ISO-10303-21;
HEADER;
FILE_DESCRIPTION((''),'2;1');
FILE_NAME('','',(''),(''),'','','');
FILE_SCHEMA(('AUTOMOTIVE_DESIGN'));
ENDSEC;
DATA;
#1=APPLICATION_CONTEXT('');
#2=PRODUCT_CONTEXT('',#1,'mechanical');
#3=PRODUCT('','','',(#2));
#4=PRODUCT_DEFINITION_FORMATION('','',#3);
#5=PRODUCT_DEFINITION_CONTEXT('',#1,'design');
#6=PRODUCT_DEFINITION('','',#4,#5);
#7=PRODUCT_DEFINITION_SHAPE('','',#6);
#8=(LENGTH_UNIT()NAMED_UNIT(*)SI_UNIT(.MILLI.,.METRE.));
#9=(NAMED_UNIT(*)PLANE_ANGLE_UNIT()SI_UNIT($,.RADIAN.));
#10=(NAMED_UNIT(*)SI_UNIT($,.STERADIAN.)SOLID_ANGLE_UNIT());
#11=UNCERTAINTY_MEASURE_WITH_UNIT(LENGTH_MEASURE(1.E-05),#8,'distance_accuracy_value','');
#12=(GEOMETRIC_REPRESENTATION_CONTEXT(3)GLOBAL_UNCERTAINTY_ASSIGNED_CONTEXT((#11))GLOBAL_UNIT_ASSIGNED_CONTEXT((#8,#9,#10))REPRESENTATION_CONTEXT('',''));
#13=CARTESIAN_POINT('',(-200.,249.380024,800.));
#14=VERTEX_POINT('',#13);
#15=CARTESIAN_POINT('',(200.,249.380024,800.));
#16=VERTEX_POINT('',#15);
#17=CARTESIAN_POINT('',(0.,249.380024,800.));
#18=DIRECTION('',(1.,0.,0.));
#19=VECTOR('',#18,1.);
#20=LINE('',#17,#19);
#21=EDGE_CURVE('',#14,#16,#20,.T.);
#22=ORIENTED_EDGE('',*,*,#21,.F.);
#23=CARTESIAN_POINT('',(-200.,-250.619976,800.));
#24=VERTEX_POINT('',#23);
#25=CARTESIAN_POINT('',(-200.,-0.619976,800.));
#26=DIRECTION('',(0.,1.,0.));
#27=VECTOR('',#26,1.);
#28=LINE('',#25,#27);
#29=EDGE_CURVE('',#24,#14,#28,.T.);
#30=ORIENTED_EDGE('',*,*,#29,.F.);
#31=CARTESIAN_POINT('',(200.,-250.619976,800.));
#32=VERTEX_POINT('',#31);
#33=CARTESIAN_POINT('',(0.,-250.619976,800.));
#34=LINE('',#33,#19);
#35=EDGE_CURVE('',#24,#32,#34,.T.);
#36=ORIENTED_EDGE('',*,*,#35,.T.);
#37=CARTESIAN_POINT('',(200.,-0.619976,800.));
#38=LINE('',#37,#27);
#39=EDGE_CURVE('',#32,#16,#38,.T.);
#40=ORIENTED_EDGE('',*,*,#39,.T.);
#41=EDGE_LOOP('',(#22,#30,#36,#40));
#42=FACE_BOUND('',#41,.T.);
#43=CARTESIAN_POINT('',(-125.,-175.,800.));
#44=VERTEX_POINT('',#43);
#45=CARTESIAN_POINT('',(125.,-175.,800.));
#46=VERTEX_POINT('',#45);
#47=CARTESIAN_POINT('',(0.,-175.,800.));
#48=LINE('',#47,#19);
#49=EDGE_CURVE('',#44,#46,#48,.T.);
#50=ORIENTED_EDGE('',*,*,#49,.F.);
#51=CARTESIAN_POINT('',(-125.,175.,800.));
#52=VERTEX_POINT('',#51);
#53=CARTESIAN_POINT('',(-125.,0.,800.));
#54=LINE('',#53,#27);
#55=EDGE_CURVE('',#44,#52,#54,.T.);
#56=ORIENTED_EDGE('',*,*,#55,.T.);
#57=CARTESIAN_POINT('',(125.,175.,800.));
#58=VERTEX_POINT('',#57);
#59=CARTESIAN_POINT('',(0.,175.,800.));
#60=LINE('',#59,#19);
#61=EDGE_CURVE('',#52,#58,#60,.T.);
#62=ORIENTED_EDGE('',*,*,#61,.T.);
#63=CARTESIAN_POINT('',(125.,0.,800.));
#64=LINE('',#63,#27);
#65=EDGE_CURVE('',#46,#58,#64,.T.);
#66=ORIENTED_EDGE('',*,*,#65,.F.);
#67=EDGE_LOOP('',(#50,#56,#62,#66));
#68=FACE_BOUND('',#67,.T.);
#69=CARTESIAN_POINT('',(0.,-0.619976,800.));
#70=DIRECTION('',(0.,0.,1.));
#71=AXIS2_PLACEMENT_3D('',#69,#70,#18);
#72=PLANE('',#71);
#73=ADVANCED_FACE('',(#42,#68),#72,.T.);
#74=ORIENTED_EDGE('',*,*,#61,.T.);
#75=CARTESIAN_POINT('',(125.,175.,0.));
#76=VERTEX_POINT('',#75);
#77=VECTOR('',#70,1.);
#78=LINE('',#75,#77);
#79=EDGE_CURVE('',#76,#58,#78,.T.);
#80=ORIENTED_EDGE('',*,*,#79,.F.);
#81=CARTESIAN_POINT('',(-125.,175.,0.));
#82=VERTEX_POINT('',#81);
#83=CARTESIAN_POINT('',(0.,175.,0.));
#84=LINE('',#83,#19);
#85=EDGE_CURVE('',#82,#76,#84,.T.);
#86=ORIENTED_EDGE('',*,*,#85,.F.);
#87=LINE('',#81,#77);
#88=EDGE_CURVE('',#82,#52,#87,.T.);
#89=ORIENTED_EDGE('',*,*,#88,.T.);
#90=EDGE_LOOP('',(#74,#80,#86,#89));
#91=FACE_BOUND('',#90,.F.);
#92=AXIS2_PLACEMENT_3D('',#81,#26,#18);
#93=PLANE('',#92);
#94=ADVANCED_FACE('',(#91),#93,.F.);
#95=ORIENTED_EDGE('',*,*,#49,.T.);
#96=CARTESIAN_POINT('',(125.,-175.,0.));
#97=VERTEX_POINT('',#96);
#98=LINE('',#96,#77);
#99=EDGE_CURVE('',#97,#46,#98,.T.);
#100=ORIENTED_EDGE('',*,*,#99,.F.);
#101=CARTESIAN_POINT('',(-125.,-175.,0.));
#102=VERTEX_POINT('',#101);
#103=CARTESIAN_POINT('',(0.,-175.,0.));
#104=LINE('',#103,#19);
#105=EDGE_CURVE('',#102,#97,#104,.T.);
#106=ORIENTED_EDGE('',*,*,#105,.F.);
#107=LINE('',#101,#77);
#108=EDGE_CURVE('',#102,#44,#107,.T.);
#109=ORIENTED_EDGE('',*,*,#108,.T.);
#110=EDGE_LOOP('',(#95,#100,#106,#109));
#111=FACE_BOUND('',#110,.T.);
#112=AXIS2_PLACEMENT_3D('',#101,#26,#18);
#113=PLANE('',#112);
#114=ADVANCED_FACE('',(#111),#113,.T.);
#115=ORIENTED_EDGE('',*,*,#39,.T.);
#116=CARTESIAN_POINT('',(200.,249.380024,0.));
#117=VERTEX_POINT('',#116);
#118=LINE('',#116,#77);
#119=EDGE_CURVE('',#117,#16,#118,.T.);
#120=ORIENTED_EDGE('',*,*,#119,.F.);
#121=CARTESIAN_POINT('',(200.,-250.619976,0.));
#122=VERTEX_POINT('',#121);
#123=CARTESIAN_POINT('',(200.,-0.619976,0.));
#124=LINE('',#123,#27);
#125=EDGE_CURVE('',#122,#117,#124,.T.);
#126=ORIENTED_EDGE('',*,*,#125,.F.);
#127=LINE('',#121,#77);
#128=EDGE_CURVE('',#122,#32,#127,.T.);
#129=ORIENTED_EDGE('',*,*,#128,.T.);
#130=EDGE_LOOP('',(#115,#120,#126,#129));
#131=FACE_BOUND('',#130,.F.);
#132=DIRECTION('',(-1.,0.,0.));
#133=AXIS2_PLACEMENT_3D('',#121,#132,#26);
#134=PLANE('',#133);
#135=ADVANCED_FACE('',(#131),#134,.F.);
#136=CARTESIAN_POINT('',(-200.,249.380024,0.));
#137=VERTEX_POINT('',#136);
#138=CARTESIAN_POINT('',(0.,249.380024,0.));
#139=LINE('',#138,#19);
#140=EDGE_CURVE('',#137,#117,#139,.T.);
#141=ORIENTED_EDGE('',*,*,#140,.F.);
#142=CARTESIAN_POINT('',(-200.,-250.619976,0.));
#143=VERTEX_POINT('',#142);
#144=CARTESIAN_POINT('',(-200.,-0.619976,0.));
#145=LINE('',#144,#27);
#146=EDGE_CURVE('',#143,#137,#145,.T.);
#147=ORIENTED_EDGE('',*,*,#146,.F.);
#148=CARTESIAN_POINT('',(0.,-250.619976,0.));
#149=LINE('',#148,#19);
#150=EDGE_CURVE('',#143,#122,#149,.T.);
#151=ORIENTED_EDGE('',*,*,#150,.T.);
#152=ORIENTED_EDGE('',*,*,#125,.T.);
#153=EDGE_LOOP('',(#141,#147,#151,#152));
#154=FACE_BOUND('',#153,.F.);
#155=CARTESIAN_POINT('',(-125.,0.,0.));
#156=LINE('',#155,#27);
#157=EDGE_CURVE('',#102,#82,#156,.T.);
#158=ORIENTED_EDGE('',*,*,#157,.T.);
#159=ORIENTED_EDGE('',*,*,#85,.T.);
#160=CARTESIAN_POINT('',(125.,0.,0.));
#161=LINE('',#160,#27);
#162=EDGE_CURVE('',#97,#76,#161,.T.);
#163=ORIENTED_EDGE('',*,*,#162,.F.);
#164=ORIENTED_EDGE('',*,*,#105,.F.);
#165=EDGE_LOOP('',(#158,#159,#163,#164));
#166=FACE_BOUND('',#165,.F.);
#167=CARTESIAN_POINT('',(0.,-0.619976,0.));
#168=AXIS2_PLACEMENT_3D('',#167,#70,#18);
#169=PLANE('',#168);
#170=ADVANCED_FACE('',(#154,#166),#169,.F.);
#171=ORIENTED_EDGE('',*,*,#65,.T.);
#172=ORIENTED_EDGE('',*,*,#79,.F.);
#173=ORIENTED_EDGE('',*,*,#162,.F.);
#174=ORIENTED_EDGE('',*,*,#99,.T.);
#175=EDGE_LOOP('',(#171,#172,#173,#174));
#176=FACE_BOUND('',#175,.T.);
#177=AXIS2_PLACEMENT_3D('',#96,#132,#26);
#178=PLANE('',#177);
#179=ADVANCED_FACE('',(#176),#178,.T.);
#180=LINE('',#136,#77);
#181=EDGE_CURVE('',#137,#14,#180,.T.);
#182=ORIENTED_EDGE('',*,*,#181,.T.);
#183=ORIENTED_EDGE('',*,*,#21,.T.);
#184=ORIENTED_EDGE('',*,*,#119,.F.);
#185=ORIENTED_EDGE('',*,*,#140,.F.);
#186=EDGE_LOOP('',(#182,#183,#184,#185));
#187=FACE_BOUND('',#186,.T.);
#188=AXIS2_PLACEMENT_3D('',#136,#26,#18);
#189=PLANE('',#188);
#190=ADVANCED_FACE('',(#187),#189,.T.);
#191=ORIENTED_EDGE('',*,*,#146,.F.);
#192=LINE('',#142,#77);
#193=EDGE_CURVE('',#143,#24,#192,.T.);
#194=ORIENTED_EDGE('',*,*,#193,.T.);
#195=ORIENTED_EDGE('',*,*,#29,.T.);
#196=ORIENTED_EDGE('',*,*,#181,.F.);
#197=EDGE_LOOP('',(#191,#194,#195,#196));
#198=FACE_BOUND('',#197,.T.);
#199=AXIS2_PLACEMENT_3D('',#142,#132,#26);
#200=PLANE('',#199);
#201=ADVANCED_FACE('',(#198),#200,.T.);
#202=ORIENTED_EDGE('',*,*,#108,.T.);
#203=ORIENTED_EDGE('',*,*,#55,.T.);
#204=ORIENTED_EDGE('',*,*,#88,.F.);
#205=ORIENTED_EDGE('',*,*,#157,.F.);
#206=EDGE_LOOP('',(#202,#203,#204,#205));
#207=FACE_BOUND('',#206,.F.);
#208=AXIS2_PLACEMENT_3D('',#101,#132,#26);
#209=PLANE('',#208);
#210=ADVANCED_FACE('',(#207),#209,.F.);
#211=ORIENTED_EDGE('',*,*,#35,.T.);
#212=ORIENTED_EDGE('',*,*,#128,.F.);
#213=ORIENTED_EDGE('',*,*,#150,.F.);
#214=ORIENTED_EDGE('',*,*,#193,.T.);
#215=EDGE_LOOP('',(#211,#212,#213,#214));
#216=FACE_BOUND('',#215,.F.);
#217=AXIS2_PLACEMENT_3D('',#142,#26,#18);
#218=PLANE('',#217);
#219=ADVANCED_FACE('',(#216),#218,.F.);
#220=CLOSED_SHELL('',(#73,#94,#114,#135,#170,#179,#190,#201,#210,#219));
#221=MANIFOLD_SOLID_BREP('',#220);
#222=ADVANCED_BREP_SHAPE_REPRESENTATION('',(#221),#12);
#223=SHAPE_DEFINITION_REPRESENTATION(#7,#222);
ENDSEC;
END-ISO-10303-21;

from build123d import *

# Parameters (mm, degrees)
F0_W     = 400
F0_H     = 500
F0_W_2   = 250
F0_H_2   = 350
F1_DEPTH = 800


with BuildPart() as f1:
    # F0 (on Top) → F1 (new body)
    with BuildSketch(Plane.XY):
        with Locations((0, -0.619976)):
            Rectangle(F0_W, F0_H)
        Rectangle(F0_W_2, F0_H_2, mode=Mode.SUBTRACT)
    extrude(amount=F1_DEPTH)


solid = f1.part
